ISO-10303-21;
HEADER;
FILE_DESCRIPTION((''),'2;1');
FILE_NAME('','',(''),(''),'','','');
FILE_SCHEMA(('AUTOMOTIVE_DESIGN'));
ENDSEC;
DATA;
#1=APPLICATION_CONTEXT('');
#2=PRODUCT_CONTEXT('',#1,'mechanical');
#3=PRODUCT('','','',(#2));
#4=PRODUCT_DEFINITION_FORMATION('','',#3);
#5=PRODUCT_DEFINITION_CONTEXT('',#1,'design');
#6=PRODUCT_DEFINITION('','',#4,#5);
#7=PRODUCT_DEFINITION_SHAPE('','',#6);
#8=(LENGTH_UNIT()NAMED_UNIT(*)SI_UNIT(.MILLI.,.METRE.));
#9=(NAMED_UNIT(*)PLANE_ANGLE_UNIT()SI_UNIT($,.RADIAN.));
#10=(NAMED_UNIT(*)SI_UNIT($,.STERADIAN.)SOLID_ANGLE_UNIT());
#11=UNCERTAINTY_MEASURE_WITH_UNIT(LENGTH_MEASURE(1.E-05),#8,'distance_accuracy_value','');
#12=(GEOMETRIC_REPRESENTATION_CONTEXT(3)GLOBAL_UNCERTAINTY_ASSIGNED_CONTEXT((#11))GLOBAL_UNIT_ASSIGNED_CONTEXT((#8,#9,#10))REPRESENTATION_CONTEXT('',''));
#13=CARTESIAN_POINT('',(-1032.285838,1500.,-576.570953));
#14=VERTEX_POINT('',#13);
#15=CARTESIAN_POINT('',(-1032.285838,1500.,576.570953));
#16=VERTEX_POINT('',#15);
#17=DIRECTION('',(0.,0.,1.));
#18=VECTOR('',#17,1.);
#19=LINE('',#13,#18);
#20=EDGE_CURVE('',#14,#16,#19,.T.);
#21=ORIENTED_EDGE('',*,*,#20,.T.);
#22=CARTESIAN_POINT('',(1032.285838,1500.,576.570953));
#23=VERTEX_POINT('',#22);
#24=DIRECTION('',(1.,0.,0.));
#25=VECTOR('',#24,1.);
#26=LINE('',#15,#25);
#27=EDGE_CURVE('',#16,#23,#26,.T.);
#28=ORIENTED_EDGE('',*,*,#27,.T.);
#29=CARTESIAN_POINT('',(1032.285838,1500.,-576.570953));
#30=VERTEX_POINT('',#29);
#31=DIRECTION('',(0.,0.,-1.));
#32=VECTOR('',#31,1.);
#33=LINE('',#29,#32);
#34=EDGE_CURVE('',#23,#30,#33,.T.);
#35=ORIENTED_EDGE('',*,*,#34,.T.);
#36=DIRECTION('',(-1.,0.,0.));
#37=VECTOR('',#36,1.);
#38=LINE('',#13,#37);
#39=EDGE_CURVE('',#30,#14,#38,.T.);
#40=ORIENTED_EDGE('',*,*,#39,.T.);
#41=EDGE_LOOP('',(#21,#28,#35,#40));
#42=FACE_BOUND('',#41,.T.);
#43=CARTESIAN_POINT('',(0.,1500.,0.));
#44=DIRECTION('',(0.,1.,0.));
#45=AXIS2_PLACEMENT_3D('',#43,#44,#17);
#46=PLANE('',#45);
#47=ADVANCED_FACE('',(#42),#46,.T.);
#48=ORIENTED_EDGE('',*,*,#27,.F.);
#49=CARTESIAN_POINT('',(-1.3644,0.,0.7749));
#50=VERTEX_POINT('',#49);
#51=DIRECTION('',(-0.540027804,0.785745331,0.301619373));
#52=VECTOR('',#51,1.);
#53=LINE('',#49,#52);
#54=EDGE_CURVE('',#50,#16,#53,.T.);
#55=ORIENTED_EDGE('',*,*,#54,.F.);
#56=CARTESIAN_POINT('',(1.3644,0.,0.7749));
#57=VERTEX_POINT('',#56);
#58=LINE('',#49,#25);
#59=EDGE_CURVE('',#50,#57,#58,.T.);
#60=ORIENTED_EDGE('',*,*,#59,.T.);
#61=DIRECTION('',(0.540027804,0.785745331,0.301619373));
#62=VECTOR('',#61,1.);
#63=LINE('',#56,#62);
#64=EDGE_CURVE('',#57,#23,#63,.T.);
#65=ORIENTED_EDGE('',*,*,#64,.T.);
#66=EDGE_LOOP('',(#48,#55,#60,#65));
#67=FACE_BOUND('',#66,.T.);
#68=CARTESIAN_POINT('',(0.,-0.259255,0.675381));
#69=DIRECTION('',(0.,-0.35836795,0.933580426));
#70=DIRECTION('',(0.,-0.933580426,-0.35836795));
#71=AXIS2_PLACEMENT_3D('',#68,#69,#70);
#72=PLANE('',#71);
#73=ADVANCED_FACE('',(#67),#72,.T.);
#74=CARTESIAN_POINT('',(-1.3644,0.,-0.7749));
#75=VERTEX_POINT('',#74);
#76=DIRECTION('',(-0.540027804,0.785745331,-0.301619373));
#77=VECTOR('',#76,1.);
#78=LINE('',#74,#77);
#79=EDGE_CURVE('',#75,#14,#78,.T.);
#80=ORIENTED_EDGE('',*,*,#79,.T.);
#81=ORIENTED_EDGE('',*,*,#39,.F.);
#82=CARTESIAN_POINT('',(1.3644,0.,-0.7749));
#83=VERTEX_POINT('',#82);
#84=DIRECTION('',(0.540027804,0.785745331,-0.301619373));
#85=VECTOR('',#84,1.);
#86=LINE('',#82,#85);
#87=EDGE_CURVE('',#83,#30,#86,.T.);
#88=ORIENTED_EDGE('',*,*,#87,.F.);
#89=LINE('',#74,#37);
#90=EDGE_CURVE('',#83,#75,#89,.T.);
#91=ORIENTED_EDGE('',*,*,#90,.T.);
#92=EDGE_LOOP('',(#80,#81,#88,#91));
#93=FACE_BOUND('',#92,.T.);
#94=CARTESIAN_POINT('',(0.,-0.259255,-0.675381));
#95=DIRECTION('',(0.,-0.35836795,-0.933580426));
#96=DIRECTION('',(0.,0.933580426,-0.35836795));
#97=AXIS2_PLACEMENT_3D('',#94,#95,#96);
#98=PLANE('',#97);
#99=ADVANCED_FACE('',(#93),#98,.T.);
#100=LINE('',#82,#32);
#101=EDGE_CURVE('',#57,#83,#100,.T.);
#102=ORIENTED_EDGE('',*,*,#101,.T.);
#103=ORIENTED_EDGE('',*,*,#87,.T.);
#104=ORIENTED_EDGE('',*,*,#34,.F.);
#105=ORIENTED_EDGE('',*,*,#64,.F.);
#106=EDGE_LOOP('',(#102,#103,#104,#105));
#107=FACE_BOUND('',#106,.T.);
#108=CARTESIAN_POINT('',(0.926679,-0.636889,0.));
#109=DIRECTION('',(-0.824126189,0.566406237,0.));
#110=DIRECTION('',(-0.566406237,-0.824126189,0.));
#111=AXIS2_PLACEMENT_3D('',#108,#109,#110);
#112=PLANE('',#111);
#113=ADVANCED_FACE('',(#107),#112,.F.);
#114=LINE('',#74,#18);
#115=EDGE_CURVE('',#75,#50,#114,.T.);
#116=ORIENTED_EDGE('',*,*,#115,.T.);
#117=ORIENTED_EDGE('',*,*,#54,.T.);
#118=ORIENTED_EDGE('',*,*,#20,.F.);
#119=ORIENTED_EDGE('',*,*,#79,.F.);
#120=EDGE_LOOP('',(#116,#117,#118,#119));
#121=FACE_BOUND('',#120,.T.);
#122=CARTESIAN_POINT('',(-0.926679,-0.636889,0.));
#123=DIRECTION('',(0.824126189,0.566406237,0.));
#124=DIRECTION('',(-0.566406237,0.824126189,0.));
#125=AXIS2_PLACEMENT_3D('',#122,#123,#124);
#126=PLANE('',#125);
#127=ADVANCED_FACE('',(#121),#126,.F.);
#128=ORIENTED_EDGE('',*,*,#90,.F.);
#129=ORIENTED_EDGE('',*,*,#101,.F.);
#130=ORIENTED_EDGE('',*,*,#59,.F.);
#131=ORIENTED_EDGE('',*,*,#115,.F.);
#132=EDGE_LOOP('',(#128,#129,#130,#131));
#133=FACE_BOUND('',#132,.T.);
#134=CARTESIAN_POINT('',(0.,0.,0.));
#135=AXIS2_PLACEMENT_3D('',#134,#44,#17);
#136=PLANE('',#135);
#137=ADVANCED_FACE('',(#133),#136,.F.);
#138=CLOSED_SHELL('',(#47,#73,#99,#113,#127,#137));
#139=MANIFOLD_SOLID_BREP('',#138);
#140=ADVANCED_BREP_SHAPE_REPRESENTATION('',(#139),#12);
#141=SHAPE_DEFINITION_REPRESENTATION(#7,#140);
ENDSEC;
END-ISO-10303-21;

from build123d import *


with BuildPart() as part:
    # StartSquare → Frustum section 0
    with BuildSketch(Plane(origin=(0, 0, 0), x_dir=(1, 0, 0), z_dir=(0, 1, 0))):
        with BuildLine():
            Line((-1.3644, 0.7749), (1.3644, 0.7749))
            Line((1.3644, 0.7749), (1.3644, -0.7749))
            Line((1.3644, -0.7749), (-1.3644, -0.7749))
            Line((-1.3644, -0.7749), (-1.3644, 0.7749))
        make_face()
    # EndSquare → Frustum section 1
    with BuildSketch(Plane(origin=(0, 1500, 0), x_dir=(1, 0, 0), z_dir=(0, 1, 0))):
        with BuildLine():
            Line((-1032.285838, 576.5709526), (1032.285838, 576.5709526))
            Line((1032.285838, 576.5709526), (1032.285838, -576.5709526))
            Line((1032.285838, -576.5709526), (-1032.285838, -576.5709526))
            Line((-1032.285838, -576.5709526), (-1032.285838, 576.5709526))
        make_face()
    loft()


solid = part.part
